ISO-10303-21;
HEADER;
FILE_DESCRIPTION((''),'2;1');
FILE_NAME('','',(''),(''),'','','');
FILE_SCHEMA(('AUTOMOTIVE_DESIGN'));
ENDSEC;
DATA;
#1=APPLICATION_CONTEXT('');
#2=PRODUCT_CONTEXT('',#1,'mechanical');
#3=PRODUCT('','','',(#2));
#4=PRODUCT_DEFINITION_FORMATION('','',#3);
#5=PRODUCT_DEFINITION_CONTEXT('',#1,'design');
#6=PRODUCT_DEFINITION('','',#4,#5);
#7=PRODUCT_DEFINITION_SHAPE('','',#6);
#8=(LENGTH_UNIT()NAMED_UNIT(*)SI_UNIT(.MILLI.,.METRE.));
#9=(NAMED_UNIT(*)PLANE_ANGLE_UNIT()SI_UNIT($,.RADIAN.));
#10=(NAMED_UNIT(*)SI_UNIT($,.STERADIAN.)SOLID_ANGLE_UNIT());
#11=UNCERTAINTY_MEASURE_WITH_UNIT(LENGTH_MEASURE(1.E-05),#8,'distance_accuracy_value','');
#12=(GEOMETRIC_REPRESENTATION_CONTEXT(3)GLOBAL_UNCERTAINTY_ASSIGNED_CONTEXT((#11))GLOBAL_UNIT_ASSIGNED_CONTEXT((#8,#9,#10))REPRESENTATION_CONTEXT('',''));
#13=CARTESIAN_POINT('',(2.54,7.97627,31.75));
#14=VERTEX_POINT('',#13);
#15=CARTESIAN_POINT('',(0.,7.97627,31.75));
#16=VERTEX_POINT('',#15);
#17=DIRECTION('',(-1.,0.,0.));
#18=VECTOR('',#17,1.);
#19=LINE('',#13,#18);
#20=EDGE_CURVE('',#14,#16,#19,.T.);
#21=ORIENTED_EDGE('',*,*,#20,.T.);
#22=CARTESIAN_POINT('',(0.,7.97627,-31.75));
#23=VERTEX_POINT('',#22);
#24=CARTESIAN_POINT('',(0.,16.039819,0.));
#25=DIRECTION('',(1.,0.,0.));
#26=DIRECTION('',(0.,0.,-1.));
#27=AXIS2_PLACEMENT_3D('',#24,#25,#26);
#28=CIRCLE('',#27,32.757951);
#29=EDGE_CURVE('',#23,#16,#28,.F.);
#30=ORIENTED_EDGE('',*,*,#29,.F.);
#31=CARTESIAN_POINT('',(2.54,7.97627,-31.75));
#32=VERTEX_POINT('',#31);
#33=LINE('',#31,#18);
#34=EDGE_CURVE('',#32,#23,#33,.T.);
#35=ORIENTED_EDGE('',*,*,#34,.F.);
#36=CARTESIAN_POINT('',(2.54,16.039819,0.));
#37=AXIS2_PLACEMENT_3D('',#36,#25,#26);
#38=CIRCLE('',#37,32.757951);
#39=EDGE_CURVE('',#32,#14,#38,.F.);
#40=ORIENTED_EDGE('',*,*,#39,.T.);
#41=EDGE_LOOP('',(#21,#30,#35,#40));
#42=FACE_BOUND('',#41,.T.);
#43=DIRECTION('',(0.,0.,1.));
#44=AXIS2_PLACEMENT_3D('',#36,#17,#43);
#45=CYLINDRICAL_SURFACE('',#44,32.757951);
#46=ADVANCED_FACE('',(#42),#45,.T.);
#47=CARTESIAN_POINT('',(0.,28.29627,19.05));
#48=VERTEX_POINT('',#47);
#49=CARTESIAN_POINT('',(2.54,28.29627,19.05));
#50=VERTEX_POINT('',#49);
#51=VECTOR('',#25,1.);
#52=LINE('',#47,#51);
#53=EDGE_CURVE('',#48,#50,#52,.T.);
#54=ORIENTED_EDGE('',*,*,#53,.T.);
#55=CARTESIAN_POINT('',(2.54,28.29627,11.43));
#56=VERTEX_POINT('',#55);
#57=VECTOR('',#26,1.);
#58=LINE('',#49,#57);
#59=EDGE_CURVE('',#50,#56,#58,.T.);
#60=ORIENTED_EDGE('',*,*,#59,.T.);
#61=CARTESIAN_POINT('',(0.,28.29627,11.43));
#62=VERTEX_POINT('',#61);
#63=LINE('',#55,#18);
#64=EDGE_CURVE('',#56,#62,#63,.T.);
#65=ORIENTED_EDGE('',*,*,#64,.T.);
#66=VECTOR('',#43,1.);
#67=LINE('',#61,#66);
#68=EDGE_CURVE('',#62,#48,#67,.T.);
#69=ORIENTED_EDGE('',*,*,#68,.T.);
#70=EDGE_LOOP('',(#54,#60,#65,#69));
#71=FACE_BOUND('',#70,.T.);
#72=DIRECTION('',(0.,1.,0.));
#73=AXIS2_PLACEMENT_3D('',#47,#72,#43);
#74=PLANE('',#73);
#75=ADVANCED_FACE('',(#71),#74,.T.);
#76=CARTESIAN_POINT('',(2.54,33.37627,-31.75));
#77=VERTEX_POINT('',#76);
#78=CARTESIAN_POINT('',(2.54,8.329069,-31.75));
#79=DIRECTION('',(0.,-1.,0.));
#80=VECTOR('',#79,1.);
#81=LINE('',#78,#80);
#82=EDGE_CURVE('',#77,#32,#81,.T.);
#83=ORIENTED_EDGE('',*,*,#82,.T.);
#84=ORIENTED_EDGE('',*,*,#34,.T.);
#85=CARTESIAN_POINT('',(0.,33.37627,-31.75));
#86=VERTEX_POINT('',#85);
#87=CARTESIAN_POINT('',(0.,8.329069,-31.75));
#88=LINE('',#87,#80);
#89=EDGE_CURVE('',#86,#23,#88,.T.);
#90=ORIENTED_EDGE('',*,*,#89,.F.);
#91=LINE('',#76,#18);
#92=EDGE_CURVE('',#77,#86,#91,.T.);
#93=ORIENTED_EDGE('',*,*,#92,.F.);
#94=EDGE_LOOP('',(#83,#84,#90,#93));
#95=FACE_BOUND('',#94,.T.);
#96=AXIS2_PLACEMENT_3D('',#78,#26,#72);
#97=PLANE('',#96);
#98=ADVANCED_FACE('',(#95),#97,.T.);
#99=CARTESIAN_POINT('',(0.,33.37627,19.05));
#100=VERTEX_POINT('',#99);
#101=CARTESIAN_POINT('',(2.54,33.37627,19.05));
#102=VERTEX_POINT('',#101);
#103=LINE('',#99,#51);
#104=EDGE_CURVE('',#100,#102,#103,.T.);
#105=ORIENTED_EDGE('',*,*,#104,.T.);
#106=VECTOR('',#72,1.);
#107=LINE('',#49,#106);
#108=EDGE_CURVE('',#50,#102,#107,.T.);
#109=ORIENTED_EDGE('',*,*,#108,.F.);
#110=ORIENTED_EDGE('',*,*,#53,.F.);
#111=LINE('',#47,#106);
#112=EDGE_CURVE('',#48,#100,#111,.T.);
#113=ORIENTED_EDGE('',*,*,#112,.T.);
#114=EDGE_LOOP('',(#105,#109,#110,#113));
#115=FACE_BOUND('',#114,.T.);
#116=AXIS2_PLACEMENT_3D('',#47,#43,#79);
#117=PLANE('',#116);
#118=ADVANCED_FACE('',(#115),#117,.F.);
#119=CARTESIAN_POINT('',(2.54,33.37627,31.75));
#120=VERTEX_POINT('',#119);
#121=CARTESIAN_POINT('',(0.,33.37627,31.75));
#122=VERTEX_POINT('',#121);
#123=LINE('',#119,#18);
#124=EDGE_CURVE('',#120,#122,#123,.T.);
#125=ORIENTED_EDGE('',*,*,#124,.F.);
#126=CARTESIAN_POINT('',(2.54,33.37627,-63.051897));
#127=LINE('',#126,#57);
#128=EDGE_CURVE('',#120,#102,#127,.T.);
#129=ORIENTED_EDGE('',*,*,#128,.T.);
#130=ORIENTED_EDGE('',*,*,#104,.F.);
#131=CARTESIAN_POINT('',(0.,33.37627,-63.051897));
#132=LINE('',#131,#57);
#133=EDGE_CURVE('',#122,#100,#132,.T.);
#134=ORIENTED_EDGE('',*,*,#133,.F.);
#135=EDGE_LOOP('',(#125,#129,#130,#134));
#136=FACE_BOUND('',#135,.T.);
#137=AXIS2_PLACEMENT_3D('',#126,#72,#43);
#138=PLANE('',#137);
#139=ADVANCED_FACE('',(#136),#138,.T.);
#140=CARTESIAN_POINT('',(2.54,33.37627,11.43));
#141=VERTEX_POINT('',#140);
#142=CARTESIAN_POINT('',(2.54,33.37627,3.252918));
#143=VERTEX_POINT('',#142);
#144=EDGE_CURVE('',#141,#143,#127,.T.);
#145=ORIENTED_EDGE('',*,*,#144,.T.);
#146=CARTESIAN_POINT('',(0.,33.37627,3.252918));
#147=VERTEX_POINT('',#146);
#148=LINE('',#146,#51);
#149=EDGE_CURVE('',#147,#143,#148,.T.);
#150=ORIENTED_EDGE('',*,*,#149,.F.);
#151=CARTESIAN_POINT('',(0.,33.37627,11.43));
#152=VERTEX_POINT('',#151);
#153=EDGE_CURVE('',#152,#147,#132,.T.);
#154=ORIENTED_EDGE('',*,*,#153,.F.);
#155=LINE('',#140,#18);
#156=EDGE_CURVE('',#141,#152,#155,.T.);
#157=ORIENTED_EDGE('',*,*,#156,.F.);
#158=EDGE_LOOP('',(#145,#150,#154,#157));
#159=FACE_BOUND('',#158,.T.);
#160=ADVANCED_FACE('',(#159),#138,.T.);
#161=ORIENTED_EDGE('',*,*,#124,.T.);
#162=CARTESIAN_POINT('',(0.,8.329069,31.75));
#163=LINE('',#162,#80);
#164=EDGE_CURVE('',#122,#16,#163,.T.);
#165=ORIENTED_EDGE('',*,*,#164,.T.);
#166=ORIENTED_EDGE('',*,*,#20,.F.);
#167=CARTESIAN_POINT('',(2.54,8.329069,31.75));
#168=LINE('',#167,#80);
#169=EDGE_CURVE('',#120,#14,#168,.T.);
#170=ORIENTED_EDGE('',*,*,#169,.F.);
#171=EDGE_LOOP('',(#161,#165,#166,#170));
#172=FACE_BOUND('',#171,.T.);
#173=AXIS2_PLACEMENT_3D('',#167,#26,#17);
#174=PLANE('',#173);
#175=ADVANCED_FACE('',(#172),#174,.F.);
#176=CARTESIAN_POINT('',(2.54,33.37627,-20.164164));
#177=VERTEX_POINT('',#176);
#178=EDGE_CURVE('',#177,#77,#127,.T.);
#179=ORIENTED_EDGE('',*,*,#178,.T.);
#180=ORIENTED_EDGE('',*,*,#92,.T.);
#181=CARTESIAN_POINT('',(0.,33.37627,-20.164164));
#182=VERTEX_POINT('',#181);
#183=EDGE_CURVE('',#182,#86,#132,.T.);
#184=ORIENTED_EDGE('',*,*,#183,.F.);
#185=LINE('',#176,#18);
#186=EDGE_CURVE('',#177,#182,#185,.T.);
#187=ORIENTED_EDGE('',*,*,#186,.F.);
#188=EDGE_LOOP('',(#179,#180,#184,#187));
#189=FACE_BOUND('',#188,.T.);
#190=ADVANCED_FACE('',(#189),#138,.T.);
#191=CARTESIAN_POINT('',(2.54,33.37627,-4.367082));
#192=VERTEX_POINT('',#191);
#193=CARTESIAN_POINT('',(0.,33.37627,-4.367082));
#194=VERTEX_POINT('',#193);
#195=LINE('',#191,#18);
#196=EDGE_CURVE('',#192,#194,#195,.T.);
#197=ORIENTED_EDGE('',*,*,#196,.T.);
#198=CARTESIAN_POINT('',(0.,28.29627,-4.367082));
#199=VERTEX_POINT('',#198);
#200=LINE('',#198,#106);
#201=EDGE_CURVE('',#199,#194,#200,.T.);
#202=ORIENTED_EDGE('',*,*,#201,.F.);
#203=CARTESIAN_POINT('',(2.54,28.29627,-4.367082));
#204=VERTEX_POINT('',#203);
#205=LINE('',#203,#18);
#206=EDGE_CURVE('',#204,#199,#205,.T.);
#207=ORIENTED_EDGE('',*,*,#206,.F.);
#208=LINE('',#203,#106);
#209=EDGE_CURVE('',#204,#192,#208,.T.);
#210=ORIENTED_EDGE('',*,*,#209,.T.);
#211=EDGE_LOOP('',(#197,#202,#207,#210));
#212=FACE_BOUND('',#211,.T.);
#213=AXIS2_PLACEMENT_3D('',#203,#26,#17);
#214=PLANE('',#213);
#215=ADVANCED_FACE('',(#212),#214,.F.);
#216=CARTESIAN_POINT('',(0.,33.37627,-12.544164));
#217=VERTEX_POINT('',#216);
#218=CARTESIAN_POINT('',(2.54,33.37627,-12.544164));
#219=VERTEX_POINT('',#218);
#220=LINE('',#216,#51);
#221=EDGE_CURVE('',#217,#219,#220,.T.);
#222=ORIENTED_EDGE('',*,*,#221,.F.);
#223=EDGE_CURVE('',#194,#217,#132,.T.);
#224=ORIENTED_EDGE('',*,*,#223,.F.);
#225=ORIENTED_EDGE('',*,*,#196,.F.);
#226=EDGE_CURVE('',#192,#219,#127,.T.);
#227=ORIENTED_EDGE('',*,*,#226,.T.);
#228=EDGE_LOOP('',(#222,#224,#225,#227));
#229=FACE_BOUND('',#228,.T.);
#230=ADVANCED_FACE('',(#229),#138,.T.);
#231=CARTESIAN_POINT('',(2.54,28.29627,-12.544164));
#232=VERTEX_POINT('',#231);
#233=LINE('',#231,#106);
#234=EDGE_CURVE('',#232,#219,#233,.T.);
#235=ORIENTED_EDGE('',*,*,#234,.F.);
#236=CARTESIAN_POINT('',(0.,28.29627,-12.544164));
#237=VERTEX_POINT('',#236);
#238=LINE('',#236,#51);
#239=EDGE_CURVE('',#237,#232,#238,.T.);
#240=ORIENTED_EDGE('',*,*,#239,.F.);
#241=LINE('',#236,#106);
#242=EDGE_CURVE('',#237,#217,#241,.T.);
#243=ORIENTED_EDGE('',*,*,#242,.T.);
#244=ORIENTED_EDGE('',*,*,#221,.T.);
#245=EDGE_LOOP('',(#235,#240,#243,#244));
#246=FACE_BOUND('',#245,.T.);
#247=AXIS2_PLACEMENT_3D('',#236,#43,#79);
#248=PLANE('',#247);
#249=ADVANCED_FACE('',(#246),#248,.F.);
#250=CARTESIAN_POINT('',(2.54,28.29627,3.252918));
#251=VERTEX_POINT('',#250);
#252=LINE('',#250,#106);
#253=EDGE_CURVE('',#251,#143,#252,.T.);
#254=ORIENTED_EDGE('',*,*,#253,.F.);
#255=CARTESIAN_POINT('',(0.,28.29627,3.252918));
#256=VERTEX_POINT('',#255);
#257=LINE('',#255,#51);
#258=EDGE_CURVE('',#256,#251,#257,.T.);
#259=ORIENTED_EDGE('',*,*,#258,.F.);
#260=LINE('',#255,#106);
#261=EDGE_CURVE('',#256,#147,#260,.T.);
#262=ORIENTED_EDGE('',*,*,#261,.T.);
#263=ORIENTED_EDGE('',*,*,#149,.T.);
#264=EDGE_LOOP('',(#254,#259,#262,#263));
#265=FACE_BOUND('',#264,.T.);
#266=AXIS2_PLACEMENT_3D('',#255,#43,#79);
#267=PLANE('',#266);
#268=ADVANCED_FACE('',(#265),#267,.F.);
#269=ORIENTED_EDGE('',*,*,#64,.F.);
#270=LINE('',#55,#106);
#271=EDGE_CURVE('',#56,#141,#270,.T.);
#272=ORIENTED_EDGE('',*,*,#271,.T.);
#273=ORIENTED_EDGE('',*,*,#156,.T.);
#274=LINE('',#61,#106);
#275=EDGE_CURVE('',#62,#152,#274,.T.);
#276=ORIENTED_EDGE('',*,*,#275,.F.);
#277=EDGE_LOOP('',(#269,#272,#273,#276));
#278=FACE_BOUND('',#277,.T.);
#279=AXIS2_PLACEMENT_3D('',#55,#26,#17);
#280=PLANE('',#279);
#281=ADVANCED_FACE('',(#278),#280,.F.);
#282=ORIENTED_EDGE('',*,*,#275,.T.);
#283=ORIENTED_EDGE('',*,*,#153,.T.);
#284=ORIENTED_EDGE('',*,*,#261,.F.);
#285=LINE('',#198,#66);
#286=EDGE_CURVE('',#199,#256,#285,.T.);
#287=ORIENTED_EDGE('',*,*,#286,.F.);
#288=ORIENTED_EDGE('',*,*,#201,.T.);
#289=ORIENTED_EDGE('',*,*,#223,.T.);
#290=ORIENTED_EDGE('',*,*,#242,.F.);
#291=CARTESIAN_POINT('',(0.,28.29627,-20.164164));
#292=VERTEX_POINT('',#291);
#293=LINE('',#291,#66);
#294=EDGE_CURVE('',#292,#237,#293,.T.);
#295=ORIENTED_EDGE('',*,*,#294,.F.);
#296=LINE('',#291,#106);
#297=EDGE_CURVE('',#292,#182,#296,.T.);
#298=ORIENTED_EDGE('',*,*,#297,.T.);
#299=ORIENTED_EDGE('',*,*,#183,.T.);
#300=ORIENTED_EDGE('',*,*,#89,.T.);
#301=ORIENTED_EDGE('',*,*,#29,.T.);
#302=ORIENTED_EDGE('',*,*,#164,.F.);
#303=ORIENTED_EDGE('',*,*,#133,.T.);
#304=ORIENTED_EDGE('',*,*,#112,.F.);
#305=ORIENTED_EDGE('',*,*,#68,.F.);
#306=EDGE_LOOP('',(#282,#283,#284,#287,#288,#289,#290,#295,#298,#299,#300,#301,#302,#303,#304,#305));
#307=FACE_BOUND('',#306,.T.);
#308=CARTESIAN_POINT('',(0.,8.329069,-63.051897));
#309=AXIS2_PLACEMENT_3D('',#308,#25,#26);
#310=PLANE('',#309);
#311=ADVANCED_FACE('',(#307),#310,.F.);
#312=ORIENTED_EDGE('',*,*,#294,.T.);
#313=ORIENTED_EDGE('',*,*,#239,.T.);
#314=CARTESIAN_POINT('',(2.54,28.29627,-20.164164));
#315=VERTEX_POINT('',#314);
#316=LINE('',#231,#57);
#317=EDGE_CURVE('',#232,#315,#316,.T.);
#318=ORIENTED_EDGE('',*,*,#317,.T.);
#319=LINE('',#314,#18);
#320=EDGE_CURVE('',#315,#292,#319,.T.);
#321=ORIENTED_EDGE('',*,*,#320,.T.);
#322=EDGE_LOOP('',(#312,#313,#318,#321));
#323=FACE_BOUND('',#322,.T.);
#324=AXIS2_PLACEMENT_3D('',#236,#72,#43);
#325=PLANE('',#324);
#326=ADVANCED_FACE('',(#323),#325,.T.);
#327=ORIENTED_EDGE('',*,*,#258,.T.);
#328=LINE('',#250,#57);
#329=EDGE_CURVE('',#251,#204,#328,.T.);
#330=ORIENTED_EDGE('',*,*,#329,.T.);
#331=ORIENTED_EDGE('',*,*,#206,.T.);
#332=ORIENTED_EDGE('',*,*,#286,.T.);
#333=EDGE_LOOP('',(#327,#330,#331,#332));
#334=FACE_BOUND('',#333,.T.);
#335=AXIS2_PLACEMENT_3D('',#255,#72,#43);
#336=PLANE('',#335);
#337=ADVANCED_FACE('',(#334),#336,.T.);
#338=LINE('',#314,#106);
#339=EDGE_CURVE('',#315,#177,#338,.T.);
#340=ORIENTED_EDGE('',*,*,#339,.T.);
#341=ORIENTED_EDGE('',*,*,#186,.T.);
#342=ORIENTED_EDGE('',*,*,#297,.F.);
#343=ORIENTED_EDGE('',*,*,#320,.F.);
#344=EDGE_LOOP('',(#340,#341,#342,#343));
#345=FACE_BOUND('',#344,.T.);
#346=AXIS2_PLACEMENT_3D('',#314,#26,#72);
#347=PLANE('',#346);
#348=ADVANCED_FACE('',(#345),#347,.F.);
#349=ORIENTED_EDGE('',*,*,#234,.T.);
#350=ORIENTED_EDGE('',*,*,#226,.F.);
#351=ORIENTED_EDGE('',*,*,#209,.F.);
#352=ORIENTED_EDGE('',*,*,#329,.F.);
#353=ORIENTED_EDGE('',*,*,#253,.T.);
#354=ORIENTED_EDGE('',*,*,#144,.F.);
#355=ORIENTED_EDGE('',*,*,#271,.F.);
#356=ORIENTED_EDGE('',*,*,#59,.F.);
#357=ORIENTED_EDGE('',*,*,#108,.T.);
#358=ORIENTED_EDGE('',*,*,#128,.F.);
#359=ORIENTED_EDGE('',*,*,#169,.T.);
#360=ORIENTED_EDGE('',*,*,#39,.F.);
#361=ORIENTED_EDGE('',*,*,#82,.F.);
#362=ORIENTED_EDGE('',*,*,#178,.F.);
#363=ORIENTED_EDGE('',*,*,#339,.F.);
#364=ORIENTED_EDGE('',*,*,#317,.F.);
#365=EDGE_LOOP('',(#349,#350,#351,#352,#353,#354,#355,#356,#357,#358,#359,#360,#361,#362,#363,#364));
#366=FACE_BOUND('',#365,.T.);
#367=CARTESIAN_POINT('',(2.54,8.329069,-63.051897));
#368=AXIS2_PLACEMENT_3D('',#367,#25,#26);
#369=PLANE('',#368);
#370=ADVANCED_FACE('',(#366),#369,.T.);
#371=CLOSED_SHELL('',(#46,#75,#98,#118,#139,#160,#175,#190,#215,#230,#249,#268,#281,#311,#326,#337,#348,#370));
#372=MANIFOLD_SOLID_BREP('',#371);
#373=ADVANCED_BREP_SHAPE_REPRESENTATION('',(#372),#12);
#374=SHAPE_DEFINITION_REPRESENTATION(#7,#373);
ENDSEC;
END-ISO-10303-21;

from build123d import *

# Parameters (mm, degrees)
BOSS_EXTRUDE2_DEPTH = 2.54
SKETCH3_W           = 2.54
SKETCH3_H           = 7.62
CUT_EXTRUDE2_DEPTH  = 5.08


with BuildPart() as part:
    # Sketch1 → Boss-Extrude2 (new body)
    with BuildSketch(Plane(origin=(0, 0, 0), x_dir=(0, 0, -1), z_dir=(1, 0, 0))):
        Polygon((-31.75, 33.376269743), (-31.75, 7.976269743), (31.75, 7.976269743), (31.75, 33.376269743), (0, 33.376269743), align=None)
        with BuildLine():
            ThreePointArc((31.75, 7.976269743), (0, -16.718131707), (-31.75, 7.976269743))
            Line((-31.75, 7.976269743), (31.75, 7.976269743))
        make_face()
    extrude(amount=BOSS_EXTRUDE2_DEPTH)

    # Sketch3 → Cut-Extrude2 (cut)
    with BuildSketch(Plane(origin=(0, 33.376269743, 0), x_dir=(1, 0, 0), z_dir=(0, 1, 0))):
        with Locations((1.27, -15.24)):
            Rectangle(SKETCH3_W, SKETCH3_H)
        with Locations((1.27, 0.557082085)):
            Rectangle(SKETCH3_W, SKETCH3_H)
        with Locations((1.27, 16.35416417)):
            Rectangle(SKETCH3_W, SKETCH3_H)
    extrude(amount=-CUT_EXTRUDE2_DEPTH, mode=Mode.SUBTRACT)


solid = part.part
